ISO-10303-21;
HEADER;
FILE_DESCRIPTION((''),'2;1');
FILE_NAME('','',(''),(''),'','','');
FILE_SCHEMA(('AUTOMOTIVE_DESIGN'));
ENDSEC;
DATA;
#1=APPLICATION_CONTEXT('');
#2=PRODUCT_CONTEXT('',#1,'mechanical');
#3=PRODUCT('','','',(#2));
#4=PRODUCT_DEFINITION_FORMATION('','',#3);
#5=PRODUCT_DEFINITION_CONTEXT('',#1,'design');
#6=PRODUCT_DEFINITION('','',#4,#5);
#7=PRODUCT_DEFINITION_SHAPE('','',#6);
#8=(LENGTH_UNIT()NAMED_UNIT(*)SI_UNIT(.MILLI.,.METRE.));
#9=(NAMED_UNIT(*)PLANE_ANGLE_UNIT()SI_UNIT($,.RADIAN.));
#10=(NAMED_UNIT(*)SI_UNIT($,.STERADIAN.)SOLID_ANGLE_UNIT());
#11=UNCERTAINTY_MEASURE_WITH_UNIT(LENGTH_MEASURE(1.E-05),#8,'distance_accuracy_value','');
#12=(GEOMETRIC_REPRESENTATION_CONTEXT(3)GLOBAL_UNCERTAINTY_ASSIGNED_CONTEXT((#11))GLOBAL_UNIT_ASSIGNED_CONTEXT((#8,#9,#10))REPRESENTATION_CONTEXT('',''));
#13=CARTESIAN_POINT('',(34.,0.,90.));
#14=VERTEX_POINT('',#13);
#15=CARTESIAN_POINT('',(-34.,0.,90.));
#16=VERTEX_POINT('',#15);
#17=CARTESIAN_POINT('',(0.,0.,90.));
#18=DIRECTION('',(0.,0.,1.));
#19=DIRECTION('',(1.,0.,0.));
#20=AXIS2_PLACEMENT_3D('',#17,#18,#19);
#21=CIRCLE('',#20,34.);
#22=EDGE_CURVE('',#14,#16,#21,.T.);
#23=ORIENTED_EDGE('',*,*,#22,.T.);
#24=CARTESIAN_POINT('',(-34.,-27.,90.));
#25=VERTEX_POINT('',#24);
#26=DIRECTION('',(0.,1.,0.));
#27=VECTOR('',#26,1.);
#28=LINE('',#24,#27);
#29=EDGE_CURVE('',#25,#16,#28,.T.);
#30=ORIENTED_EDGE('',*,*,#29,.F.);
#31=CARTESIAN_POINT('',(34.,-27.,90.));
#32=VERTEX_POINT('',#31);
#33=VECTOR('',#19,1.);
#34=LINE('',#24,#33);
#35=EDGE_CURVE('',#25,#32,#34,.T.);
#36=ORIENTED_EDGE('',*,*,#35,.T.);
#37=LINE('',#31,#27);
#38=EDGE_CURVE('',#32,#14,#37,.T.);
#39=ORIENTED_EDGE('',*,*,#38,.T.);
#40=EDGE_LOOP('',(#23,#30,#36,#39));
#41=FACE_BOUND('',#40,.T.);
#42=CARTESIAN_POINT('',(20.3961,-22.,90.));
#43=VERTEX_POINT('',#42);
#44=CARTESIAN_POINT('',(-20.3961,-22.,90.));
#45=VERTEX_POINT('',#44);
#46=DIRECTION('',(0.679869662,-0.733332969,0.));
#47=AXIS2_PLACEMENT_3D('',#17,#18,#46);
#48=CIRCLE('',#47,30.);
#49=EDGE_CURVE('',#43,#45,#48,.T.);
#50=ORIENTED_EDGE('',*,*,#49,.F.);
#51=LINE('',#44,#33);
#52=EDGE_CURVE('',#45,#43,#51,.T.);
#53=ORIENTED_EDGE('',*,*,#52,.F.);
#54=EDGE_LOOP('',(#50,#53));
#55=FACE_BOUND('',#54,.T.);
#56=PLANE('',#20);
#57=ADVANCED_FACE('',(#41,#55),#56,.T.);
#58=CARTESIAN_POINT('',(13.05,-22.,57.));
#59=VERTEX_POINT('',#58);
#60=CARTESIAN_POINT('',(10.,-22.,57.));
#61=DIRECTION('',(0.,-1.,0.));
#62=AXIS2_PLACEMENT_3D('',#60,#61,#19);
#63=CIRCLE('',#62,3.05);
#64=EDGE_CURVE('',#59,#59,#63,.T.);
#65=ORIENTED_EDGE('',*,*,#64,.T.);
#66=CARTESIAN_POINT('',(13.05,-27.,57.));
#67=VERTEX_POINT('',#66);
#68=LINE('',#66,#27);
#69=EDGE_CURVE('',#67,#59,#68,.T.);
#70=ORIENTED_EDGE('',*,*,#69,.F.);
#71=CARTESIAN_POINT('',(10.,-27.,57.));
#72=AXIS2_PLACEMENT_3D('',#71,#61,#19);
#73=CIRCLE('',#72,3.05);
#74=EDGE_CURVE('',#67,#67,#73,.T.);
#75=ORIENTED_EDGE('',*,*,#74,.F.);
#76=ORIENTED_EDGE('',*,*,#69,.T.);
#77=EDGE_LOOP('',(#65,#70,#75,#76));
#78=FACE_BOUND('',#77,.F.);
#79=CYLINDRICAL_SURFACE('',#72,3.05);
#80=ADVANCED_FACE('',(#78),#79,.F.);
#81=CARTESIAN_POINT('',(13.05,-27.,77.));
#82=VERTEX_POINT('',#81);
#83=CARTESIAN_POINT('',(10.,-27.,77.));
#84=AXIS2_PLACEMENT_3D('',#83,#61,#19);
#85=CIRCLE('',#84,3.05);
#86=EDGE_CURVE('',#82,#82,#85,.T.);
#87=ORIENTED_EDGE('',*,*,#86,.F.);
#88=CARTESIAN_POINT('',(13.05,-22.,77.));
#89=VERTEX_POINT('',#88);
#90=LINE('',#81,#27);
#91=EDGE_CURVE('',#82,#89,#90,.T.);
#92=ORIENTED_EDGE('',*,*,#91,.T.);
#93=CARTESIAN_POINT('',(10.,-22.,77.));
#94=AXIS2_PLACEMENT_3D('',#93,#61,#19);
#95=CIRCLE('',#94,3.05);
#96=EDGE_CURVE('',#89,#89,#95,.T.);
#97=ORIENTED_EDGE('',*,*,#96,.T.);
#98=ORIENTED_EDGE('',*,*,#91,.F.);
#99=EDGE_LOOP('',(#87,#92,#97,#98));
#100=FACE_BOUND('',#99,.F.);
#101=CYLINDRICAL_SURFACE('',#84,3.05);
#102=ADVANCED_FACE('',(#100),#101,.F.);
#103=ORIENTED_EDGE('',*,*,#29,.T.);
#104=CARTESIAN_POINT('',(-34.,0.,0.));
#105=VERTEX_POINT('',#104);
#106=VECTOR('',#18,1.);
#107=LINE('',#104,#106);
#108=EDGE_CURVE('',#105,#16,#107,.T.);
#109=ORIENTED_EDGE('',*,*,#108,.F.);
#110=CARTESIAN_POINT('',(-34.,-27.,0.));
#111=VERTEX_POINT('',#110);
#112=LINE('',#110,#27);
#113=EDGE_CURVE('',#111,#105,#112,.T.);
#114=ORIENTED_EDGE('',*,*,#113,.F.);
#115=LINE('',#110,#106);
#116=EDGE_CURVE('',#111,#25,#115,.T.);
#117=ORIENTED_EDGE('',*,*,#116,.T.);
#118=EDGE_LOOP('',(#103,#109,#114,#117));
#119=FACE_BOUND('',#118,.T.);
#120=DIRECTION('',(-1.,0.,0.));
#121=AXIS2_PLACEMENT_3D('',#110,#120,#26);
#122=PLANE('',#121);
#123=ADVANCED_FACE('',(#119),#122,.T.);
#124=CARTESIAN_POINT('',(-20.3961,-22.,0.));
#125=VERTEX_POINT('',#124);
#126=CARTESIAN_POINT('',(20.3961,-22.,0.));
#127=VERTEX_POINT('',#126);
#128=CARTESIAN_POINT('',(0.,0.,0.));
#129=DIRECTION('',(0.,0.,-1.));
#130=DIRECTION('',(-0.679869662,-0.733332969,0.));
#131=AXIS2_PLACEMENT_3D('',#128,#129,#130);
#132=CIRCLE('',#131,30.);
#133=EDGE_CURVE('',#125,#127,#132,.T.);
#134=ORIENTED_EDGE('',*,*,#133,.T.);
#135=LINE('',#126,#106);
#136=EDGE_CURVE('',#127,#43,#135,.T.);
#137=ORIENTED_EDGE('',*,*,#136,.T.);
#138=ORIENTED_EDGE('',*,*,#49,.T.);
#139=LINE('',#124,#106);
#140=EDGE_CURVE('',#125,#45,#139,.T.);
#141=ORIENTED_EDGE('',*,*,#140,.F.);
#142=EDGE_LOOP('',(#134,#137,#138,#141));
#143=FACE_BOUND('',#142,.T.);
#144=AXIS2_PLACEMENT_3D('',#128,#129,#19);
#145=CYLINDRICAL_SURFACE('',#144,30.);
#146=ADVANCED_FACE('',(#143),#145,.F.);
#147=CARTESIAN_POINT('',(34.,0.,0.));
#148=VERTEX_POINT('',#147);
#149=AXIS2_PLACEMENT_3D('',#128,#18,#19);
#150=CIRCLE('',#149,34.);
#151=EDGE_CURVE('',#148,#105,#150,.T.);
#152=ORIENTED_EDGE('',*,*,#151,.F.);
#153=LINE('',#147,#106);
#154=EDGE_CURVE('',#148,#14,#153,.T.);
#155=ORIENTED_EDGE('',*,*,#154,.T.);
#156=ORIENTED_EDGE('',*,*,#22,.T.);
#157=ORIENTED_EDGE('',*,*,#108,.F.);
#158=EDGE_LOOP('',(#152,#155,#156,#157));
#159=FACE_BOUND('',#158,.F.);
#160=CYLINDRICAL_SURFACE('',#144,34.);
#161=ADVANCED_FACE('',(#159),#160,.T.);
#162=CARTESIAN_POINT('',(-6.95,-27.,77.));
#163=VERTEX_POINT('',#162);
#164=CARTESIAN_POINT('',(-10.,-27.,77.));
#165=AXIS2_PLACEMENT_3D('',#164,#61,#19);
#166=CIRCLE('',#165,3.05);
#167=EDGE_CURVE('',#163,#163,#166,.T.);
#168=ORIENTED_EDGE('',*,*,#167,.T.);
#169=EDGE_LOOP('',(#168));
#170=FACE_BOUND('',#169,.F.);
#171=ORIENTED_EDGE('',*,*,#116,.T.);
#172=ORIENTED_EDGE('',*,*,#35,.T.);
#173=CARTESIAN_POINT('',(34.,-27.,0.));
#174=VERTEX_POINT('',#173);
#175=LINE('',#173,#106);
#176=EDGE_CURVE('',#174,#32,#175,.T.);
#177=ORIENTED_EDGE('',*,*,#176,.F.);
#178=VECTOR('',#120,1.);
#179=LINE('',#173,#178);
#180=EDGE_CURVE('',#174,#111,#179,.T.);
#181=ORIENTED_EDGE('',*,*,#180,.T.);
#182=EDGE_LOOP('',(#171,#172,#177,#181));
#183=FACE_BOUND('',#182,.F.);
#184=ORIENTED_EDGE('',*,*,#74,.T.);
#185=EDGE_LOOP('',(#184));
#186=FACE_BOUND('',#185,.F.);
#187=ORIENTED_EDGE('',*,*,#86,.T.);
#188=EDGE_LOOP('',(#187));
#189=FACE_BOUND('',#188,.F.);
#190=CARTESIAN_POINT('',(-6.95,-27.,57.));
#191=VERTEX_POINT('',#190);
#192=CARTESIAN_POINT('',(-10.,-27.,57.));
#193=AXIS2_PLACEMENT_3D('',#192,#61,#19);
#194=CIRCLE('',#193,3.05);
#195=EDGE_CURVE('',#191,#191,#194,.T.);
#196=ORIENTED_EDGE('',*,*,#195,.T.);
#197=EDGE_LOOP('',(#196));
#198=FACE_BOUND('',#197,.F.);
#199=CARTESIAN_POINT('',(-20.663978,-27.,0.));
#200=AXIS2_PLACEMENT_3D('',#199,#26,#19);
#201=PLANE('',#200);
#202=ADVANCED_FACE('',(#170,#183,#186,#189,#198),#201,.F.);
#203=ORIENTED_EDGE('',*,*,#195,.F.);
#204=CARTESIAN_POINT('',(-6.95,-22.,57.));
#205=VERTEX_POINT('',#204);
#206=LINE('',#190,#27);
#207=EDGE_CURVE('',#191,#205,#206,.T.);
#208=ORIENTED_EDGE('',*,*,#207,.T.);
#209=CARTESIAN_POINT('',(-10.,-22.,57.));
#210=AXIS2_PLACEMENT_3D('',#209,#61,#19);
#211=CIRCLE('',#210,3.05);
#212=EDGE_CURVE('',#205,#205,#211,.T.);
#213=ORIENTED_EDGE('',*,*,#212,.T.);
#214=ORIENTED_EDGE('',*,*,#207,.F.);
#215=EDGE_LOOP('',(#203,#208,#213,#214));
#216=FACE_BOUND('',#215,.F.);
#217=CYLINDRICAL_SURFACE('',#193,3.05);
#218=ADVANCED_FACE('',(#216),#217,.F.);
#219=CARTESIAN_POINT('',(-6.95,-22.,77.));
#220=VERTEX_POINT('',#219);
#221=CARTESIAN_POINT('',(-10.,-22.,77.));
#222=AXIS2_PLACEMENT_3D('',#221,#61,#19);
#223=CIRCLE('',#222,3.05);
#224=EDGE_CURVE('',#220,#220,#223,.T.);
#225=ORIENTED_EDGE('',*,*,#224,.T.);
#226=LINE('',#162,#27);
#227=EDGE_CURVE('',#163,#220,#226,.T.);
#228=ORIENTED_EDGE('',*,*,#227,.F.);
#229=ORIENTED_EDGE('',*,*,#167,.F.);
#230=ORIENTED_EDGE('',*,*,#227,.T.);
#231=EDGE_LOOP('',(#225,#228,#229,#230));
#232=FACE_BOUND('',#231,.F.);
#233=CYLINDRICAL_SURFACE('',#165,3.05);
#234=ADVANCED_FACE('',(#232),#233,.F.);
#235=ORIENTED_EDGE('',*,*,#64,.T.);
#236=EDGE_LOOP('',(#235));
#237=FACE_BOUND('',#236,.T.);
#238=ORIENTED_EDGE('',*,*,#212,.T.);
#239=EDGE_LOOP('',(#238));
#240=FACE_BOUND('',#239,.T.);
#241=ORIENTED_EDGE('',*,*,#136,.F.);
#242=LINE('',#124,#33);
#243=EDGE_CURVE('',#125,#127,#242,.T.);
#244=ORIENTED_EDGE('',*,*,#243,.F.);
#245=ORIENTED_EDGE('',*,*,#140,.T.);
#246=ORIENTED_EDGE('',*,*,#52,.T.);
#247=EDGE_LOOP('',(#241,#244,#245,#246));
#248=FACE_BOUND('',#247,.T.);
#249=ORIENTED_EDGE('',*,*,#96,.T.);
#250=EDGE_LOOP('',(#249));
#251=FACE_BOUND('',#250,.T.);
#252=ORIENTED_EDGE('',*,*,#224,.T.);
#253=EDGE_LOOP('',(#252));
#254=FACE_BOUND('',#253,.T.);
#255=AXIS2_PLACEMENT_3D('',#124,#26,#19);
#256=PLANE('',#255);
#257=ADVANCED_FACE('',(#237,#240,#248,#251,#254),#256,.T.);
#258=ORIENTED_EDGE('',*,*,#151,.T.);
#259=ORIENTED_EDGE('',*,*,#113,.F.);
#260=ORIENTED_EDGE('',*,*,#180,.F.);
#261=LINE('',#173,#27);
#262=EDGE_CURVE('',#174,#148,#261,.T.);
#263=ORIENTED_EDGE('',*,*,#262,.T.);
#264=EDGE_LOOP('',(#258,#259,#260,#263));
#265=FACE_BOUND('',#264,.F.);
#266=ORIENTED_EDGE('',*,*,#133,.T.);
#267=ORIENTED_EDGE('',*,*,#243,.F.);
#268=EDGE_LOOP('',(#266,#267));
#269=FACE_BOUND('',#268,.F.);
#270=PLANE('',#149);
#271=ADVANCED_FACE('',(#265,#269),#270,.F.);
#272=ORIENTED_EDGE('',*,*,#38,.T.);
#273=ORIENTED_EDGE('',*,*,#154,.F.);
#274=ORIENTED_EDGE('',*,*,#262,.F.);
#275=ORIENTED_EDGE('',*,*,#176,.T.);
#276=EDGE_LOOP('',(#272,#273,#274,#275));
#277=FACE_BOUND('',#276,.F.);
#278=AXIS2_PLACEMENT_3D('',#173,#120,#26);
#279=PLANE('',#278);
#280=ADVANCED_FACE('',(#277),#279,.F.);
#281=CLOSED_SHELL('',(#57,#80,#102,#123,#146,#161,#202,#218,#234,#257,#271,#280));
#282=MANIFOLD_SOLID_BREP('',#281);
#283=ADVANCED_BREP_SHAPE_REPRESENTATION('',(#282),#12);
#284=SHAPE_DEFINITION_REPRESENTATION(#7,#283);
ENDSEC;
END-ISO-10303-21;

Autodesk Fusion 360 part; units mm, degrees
sketch "Sketch1" plane through (0, 0, 0) normal (0, 0, 1) x (1, 0, 0)
  circle A0 centre (0, 0) radius 30
  circle A1 centre (0, 0) radius 34
  line L0 (0, 30) -> (0, -22) construction
  line L1 (-20.3961, -22) -> (20.3961, -22)
  line L2 (-34, -27) -> (34, -27)
  line L3 (-34, -27) -> (-34, 0)
  line L4 (34, -27) -> (34, 0)
  circle A2 centre (0, 4) radius 25.4 construction
  dimension "d1" = 60
  dimension "d2" = 68
  dimension "d3" = 52
  dimension "d6" = 5
  dimension "d38" = 50.8
extrude "Extrude1" add sketch "Sketch1" along normal blind 90 contours A0 A1 L2 | A0 L1 L2 | A1 L2 L3 | A1 L2 L4 picked at (-32.5234, 2.2674)
sketch "Sketch8" plane through (0, -27, 0) normal (0, -1, 0) x (1, 0, 0)
  line L0 (-34, 0) -> (34, 0)
  line L1 (34, 0) -> (34, 90)
  line L2 (34, 90) -> (-34, 90)
  line L3 (-34, 90) -> (-34, 0)
  circle A0 centre (-10, 77) radius 3.05
  circle A1 centre (10, 77) radius 3.05
  circle A2 centre (-10, 57) radius 3.05
  circle A3 centre (10, 57) radius 3.05
  dimension "d43" = 6.1
  dimension "d44" = 6.1
  dimension "d45" = 6.1
  dimension "d46" = 6.1
  dimension "d47" = 13
  dimension "d48" = 13
  dimension "d49" = 33
  dimension "d50" = 33
  dimension "d51" = 20
  dimension "d52" = 20
  dimension "d53" = 24
  dimension "d54" = 24
extrude "Extrude10" cut sketch "Sketch8" against normal blind 5 contours A0 | A1 | A2 | A3
equation "d44 = d43"
equation "d45 = d43"
equation "d46 = d43"
equation "d48 = d47"
equation "d50 = d49"
equation "d52 = d51"
equation "d54 = d53"
